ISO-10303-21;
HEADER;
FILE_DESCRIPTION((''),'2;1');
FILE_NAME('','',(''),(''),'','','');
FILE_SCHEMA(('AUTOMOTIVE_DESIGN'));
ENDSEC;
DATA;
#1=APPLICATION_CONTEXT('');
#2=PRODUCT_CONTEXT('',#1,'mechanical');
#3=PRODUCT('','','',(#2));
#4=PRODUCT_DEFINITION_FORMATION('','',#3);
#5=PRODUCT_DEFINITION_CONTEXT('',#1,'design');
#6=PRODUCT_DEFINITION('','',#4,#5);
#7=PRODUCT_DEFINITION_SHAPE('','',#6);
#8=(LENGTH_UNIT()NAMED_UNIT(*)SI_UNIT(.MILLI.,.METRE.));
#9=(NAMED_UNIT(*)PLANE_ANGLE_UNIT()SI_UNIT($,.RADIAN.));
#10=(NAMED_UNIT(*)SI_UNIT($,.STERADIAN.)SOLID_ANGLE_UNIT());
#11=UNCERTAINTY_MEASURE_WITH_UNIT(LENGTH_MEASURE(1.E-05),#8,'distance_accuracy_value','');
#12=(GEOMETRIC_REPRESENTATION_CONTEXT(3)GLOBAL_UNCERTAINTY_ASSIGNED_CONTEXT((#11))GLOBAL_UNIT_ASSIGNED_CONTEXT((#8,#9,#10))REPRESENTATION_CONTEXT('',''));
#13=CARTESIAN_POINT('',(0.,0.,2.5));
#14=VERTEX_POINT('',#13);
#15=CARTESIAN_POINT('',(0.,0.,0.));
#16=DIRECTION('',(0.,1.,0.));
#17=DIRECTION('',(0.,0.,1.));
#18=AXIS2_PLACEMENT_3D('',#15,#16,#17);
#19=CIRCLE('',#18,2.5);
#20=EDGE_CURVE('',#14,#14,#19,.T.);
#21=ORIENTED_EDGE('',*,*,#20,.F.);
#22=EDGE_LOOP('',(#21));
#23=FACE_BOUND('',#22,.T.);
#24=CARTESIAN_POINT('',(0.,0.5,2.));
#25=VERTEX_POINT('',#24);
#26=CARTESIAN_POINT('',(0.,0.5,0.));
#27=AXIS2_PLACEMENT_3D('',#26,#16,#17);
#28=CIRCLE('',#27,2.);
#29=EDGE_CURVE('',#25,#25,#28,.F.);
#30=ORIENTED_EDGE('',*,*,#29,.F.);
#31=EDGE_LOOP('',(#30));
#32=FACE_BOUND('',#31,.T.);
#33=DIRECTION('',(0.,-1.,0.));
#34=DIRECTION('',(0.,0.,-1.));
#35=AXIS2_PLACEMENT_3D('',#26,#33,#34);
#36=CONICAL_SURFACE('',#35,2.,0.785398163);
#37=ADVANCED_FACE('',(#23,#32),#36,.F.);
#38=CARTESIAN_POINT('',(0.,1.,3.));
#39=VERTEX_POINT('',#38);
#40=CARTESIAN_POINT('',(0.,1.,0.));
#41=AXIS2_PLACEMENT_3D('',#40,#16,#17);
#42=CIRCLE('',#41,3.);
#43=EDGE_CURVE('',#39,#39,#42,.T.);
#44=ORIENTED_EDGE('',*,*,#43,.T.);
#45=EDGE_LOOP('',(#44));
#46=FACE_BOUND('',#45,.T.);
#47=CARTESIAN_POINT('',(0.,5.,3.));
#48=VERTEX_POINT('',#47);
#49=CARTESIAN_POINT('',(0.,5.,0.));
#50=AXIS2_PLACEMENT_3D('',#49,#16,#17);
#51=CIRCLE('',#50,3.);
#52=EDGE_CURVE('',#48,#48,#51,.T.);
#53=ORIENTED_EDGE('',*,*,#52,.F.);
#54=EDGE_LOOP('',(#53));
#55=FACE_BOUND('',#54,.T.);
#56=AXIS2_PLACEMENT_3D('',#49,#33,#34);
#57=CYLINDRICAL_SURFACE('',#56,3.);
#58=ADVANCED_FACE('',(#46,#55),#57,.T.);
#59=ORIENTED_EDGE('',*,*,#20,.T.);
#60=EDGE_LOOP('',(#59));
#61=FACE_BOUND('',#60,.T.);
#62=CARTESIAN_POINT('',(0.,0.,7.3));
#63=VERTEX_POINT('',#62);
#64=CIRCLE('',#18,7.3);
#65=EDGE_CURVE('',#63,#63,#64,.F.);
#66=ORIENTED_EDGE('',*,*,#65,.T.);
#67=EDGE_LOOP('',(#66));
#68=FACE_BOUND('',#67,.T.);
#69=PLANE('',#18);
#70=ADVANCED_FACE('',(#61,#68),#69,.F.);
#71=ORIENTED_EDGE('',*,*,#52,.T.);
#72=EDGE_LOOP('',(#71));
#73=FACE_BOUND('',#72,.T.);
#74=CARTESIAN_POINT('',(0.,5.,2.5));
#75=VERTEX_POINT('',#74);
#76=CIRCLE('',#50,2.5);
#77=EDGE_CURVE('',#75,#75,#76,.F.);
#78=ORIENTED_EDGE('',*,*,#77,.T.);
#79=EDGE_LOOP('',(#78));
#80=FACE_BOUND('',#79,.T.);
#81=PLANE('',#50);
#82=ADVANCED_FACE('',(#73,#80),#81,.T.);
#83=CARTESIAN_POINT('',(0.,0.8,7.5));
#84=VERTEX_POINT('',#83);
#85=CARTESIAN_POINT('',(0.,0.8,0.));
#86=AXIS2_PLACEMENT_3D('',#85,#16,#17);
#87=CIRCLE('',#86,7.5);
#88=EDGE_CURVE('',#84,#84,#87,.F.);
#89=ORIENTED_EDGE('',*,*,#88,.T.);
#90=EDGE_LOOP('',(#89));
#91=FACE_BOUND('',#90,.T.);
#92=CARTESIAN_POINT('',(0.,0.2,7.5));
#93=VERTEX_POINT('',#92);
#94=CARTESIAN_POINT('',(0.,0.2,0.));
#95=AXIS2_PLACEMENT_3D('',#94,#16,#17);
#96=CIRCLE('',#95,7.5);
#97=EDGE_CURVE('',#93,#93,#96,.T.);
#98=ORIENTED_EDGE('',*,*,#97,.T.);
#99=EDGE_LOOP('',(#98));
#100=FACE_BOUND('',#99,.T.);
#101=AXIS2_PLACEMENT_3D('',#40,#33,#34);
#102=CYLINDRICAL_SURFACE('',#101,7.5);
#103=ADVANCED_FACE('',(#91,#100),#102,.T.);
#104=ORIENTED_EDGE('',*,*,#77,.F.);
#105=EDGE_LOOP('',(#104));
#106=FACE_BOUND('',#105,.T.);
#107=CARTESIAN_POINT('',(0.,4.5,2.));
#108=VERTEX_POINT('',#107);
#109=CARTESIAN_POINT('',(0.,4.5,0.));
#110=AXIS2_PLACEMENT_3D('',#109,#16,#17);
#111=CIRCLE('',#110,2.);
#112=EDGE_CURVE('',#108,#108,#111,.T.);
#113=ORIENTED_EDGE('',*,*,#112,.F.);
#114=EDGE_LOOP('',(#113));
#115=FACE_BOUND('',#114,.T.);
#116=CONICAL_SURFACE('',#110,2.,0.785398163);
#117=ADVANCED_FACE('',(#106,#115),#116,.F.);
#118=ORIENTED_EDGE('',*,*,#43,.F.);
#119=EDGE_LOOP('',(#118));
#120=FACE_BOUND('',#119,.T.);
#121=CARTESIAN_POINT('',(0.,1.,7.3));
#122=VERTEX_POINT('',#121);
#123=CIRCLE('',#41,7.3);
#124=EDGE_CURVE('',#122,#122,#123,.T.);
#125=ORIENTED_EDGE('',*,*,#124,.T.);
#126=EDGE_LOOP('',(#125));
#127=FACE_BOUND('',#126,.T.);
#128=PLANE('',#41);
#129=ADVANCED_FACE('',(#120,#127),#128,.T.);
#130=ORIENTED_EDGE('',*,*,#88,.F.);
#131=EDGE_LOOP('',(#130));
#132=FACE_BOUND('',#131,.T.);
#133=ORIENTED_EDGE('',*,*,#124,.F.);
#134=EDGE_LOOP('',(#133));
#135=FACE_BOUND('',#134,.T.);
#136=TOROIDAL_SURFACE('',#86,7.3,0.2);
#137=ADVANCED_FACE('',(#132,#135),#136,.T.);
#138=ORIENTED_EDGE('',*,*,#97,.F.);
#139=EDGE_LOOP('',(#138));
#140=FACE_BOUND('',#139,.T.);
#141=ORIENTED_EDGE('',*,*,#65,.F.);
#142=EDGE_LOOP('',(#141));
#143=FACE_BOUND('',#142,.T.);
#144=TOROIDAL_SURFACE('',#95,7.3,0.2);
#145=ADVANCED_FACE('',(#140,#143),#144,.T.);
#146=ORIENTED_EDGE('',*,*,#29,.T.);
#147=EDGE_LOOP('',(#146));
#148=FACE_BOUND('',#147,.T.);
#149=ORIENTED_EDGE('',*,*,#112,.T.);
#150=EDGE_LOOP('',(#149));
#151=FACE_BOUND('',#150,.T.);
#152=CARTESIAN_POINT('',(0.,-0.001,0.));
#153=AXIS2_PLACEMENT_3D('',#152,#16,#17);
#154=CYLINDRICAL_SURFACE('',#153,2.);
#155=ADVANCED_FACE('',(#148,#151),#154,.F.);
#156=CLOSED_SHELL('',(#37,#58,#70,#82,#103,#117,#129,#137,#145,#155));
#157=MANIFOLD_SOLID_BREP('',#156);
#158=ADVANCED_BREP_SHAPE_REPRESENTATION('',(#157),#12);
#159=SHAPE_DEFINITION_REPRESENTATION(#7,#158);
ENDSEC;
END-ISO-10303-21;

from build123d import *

# Parameters (mm, degrees)
SKETCH_1_R          = 7.5
EXTRUDE_1_DEPTH     = 1
SKETCH_2_R          = 3
EXTRUDE_2_DEPTH     = 4
CUT_EXTRUDE_1_REACH = 13.726
SKETCH_3_R          = 2
CHAMFER_1_SIZE      = 0.5
FILLET_1_R          = 0.2


with BuildPart() as part:
    # 草图1 → 凸台-拉伸1 (new body)
    with BuildSketch(Plane(origin=(0, 0, 0), x_dir=(1, 0, 0), z_dir=(0, 1, 0))):
        with Locations(Location((0, 0, 0), (0, 0, 270))):
            Circle(SKETCH_1_R)
    extrude(amount=EXTRUDE_1_DEPTH)

    # 草图2 → 凸台-拉伸2 (add)
    with BuildSketch(Plane(origin=(0, 1, 0), x_dir=(1, 0, 0), z_dir=(0, 1, 0))):
        with Locations(Location((0, 0, 0), (0, 0, 270))):
            Circle(SKETCH_2_R)
    extrude(amount=EXTRUDE_2_DEPTH)

    # 草图3 → 切除-拉伸1 (cut, up to next)
    with BuildSketch(Plane(origin=(0, 5, 0), x_dir=(1, 0, 0), z_dir=(0, 1, 0)), mode=Mode.PRIVATE) as cut_extrude_1_sk1:
        with Locations(Location((0, 0, 0), (0, 0, 270))):
            Circle(SKETCH_3_R)
    cut_extrude_1_tool1 = extrude(cut_extrude_1_sk1.sketch, amount=-CUT_EXTRUDE_1_REACH, mode=Mode.PRIVATE) & part.part
    add(cut_extrude_1_tool1.solids().sort_by_distance((0, 5, 0))[0], mode=Mode.SUBTRACT)

    # 倒角1
    chamfer_1_edges = [part.edges().sort_by_distance(p)[0] for p in [
        (0, 5, -2),
        (0, 0, -2),
    ]]
    chamfer(chamfer_1_edges, length=CHAMFER_1_SIZE)

    # 圆角1
    fillet_1_edges = [part.edges().sort_by_distance(p)[0] for p in [
        (0, 0, -7.5),
        (0, 1, -7.5),
    ]]
    fillet(fillet_1_edges, radius=FILLET_1_R)


solid = part.part
